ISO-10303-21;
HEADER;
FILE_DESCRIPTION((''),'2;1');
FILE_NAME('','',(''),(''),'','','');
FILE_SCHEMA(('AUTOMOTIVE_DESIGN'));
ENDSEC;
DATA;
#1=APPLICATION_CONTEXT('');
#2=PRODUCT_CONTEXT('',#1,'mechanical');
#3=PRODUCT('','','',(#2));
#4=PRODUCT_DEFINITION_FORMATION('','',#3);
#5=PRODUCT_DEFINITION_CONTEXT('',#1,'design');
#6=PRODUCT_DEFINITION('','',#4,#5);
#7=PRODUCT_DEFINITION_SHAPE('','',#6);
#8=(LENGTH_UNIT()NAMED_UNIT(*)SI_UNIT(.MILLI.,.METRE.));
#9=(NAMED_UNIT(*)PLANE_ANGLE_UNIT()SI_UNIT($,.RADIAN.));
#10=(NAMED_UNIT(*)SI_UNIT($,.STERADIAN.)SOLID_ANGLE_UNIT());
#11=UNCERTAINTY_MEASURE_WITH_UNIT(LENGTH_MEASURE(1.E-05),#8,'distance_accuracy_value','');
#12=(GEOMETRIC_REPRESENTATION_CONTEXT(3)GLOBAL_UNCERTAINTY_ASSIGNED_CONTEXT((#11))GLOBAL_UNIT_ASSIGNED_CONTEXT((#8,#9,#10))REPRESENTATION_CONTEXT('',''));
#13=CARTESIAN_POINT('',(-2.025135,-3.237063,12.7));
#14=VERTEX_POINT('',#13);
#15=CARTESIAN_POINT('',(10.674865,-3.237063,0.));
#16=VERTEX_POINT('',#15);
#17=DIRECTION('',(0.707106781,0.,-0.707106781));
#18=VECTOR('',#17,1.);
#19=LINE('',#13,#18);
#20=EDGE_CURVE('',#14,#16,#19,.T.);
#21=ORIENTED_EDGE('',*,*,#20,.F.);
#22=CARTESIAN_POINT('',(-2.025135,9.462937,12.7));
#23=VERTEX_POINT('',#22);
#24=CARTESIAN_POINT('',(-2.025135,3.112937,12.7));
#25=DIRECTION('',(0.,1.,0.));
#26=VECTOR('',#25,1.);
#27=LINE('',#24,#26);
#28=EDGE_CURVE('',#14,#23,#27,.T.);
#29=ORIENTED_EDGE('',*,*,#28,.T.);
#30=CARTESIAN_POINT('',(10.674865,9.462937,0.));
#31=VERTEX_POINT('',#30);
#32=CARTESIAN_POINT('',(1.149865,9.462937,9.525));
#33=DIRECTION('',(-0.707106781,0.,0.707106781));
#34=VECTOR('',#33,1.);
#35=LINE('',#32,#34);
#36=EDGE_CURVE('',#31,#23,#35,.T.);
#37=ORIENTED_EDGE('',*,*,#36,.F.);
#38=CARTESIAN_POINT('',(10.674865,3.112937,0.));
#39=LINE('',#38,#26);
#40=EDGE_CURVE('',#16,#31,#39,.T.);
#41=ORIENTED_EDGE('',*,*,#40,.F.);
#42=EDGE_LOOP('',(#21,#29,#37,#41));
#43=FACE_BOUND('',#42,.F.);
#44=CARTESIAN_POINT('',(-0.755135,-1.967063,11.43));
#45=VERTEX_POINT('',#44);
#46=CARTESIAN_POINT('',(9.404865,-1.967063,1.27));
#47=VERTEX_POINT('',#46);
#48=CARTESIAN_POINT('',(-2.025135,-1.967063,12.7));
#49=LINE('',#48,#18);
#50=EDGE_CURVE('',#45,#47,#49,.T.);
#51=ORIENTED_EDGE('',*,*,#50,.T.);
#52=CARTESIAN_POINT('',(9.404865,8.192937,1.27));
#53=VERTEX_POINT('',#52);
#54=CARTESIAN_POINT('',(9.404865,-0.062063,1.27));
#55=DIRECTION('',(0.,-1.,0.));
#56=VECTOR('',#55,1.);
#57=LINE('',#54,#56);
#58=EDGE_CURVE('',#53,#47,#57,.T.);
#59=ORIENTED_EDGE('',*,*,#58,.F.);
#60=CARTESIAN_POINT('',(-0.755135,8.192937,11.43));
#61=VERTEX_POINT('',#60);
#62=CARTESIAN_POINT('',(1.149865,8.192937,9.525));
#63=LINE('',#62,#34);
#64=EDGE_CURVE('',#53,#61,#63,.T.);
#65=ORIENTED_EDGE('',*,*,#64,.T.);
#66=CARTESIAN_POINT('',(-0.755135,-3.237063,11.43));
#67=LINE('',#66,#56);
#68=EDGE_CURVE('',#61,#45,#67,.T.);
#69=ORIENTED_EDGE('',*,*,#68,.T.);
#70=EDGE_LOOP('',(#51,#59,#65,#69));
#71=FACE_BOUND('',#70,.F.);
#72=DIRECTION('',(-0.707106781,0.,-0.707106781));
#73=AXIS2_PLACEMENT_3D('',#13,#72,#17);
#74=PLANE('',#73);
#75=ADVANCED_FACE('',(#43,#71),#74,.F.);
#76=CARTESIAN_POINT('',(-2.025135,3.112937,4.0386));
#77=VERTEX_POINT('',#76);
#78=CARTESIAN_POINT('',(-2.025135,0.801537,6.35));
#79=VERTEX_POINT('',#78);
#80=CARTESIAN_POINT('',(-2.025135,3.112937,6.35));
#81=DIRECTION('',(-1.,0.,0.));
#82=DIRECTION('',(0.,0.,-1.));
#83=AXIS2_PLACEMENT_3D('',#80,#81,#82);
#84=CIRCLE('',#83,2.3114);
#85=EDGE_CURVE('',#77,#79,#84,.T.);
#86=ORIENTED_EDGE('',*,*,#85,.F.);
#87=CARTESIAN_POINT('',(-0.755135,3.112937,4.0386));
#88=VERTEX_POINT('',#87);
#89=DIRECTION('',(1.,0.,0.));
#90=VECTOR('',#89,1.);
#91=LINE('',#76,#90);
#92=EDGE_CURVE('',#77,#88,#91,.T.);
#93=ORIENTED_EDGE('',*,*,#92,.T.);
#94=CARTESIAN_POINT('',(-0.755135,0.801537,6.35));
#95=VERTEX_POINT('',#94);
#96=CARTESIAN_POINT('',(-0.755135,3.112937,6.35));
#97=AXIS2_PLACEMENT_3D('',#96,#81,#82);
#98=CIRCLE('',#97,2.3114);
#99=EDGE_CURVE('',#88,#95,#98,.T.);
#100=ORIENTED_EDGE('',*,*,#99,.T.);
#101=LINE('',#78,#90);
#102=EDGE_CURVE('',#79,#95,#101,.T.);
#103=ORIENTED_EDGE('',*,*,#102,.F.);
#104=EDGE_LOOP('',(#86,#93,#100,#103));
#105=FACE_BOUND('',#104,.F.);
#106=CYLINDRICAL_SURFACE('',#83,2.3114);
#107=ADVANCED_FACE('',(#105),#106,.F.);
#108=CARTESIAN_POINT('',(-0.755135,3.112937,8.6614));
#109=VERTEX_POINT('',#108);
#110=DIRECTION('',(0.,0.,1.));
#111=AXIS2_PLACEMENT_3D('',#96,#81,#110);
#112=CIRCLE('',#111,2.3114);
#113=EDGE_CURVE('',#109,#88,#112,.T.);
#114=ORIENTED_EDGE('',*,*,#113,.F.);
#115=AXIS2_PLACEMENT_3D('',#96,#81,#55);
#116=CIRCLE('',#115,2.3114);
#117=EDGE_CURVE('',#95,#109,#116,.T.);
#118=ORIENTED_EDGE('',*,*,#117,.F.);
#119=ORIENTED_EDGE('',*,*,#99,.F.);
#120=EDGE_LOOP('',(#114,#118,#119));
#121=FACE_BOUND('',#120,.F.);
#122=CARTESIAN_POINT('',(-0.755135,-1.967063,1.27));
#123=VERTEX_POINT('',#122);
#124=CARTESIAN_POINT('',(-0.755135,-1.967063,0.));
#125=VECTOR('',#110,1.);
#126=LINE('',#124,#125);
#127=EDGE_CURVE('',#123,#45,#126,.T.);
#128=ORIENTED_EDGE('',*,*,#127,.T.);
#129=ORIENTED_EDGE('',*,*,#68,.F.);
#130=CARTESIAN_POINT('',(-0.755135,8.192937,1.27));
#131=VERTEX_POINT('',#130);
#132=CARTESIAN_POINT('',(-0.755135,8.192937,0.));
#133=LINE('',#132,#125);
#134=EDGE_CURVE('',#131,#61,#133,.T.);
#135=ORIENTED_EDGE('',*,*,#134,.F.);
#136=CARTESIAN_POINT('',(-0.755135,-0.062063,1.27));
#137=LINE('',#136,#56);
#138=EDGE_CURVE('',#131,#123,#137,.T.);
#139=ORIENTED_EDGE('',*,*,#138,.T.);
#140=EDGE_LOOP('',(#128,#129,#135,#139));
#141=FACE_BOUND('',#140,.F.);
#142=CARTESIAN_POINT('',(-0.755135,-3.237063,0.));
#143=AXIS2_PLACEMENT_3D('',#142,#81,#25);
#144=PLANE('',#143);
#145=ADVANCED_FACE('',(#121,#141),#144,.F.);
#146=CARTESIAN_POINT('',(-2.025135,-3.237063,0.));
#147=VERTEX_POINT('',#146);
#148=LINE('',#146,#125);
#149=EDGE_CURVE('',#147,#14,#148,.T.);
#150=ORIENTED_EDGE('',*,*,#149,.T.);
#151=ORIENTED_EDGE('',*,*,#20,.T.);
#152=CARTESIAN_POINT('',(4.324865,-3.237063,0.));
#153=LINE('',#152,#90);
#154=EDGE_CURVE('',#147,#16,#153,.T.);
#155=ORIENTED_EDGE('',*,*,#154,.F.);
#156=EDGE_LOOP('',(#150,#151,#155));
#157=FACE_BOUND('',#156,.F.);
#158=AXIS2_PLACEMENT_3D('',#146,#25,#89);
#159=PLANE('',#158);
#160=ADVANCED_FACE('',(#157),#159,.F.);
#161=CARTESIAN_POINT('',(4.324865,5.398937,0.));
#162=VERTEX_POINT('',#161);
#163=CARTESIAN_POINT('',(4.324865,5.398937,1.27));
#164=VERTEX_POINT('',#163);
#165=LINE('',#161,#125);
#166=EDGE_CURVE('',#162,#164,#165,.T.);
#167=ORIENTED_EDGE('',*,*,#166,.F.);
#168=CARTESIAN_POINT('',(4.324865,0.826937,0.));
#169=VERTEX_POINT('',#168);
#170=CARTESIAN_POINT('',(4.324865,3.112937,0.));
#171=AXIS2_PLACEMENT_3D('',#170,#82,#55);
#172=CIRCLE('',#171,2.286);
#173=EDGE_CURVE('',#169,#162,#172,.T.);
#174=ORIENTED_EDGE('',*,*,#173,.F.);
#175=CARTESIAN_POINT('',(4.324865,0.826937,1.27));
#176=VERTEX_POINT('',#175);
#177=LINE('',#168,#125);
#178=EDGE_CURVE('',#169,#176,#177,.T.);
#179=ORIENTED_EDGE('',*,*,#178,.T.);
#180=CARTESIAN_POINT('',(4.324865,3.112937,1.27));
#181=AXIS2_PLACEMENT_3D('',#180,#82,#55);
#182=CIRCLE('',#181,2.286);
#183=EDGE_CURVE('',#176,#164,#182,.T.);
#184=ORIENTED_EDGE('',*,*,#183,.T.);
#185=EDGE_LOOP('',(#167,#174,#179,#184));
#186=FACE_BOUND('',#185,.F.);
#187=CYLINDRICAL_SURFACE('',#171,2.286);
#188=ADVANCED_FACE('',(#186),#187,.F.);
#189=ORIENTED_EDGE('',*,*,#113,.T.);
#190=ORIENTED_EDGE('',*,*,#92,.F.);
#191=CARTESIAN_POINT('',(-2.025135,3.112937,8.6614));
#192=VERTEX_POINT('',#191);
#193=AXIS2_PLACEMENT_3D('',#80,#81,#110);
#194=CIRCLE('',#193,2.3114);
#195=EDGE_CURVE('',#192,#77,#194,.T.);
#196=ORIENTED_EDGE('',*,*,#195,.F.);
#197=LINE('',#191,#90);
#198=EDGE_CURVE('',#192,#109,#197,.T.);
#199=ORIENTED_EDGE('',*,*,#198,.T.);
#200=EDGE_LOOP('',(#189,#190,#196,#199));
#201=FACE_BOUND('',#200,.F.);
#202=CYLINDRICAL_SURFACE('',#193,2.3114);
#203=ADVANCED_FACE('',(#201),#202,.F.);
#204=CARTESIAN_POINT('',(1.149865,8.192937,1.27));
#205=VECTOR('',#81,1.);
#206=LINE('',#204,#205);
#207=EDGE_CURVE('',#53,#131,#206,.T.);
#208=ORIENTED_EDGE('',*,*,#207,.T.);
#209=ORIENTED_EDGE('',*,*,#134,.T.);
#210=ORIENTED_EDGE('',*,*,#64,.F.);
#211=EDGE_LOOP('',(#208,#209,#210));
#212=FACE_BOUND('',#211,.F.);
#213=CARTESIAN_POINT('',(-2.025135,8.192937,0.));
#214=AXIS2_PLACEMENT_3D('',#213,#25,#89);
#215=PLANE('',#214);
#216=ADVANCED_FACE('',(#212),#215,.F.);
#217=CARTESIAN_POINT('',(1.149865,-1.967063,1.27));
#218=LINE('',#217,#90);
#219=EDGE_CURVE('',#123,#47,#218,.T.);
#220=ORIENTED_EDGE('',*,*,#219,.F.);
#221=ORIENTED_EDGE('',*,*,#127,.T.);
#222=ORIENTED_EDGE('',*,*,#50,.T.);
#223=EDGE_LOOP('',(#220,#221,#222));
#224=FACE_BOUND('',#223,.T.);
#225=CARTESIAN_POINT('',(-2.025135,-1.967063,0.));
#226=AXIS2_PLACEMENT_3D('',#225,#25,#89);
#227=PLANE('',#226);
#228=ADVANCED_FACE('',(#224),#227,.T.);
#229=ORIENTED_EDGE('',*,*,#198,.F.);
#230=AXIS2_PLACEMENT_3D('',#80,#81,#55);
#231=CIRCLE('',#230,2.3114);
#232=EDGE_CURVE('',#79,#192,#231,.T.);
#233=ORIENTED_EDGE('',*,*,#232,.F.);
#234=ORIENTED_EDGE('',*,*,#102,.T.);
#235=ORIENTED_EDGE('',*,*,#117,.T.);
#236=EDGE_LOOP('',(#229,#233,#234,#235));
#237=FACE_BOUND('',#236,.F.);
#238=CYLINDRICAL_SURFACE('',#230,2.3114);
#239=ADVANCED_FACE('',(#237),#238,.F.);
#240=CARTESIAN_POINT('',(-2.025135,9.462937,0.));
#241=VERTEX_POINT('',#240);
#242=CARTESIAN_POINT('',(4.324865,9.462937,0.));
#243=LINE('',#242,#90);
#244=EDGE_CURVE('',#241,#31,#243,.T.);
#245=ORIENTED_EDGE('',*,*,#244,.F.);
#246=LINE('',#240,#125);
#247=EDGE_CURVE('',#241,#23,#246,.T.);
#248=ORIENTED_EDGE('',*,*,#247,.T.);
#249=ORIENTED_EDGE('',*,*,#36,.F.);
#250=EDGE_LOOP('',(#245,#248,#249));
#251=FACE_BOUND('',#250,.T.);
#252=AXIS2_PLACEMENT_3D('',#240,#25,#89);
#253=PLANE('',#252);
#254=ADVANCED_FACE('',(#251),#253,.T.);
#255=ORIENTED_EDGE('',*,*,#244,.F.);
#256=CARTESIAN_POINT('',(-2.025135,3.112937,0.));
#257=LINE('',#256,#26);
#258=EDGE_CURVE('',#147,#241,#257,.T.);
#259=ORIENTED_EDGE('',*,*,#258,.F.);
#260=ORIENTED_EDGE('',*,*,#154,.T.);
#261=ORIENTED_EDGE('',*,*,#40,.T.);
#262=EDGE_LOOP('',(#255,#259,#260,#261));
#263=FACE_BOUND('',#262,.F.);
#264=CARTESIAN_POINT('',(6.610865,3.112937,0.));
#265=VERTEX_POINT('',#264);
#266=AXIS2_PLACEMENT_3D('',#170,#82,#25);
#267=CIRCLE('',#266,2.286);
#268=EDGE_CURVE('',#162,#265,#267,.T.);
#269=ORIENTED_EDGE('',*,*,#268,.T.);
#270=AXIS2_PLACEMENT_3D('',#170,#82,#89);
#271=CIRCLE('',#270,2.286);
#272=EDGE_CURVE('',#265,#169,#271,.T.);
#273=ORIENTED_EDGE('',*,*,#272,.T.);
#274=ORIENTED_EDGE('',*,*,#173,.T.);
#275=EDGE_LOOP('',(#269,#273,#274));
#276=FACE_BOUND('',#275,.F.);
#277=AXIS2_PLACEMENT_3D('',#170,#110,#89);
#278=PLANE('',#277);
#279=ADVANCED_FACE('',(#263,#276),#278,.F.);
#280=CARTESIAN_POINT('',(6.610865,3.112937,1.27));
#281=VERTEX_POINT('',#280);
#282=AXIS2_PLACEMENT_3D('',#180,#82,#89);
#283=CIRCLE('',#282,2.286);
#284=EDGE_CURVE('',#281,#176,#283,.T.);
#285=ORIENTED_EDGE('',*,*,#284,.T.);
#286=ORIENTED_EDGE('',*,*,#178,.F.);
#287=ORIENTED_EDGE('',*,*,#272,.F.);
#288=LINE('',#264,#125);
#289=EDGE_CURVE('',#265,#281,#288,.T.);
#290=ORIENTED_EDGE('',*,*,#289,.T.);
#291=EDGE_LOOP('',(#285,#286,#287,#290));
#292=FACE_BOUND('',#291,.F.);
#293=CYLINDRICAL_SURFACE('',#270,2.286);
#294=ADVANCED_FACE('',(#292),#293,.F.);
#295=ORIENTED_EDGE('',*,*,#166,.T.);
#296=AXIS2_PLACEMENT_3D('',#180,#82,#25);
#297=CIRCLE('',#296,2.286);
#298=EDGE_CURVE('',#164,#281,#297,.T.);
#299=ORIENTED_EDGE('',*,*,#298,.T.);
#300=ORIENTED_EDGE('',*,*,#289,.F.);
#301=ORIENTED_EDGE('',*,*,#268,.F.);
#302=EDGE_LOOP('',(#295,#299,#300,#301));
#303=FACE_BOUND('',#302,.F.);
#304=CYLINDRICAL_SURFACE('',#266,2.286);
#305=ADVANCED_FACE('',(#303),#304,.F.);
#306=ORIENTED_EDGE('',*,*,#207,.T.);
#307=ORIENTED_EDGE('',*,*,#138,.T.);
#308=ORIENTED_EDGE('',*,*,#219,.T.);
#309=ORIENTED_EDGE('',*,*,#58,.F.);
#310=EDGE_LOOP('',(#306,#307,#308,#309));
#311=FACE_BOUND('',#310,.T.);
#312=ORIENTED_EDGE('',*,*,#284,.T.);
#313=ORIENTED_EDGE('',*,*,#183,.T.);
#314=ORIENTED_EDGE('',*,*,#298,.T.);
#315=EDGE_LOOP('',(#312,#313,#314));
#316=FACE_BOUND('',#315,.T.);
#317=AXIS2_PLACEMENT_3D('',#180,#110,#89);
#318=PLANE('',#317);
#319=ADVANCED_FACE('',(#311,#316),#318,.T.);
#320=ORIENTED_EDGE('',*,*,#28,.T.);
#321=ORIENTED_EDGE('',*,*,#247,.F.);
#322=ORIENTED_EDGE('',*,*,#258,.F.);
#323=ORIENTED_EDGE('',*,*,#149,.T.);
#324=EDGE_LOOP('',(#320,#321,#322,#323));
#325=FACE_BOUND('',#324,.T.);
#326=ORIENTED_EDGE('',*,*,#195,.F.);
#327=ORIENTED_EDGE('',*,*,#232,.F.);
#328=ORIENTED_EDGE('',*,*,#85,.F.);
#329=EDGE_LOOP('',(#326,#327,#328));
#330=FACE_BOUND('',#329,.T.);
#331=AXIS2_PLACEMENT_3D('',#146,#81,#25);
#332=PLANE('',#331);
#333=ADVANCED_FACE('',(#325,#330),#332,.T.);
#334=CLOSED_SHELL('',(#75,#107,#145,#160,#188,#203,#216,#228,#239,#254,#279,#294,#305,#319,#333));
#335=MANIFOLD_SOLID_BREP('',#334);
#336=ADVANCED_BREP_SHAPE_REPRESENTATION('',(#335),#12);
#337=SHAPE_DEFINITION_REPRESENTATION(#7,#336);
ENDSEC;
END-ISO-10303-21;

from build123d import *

# Parameters (mm, degrees)
F0_W     = 12.7
F0_H     = 12.7
F1_DEPTH = 12.7
F3_DEPTH = 25.4
F4_T     = -1.27
F7_DEPTH = 25.4
F8_DEPTH = 25.4


with BuildPart() as f1:
    # F0 (on Top) → F1 (new body)
    with BuildSketch(Plane.XY):
        with Locations((4.3248645961, 3.1129373469)):
            Rectangle(F0_W, F0_H)
    extrude(amount=F1_DEPTH)

    # F2 (on face) → F3 (cut)
    with BuildSketch(Plane.XZ.offset(3.2370626531)):
        Polygon((10.6748645961, 12.7), (-2.0251354039, 12.7), (10.6748645961, 0), align=None)
    extrude(amount=-F3_DEPTH, mode=Mode.SUBTRACT)

    # F4
    f4_openings = [f1.faces().sort_by_distance(p)[0] for p in [
        (4.324865, 3.112937, 6.35),
    ]]
    offset(amount=F4_T, openings=f4_openings)

    # F6 (on face) → F7 (cut)
    with BuildSketch(Plane(origin=(-2.0251354039, 0, 0), x_dir=(0, -1, 0), z_dir=(-1, 0, 0))):
        with BuildLine():
            ThreePointArc((-0.8015373469, 6.35), (-1.4785307329, 7.984406614), (-3.1129373469, 8.6614))
            Line((-3.1129373469, 8.6614), (-3.1129373469, 4.0386))
            ThreePointArc((-3.1129373469, 4.0386), (-1.4785307329, 4.715593386), (-0.8015373469, 6.35))
        make_face()
        with BuildLine():
            Line((-3.1129373469, 4.0386), (-3.1129373469, 8.6614))
            ThreePointArc((-3.1129373469, 8.6614), (-5.4243373469, 6.35), (-3.1129373469, 4.0386))
        make_face()
    extrude(amount=-F7_DEPTH, mode=Mode.SUBTRACT)

    # F5 (on face) → F8 (cut)
    with BuildSketch(Plane(origin=(0, 0, 0), x_dir=(1, 0, 0), z_dir=(0, 0, -1))):
        with BuildLine():
            ThreePointArc((6.6108645961, -3.1129373469), (5.9413106979, -1.4964912451), (4.3248645961, -0.8269373469))
            Line((4.3248645961, -0.8269373469), (4.3248645961, -5.3989373469))
            ThreePointArc((4.3248645961, -5.3989373469), (5.9413106979, -4.7293834487), (6.6108645961, -3.1129373469))
        make_face()
        with BuildLine():
            Line((4.3248645961, -5.3989373469), (4.3248645961, -0.8269373469))
            ThreePointArc((4.3248645961, -0.8269373469), (2.0388645961, -3.1129373469), (4.3248645961, -5.3989373469))
        make_face()
    extrude(amount=-F8_DEPTH, mode=Mode.SUBTRACT)


solid = f1.part
